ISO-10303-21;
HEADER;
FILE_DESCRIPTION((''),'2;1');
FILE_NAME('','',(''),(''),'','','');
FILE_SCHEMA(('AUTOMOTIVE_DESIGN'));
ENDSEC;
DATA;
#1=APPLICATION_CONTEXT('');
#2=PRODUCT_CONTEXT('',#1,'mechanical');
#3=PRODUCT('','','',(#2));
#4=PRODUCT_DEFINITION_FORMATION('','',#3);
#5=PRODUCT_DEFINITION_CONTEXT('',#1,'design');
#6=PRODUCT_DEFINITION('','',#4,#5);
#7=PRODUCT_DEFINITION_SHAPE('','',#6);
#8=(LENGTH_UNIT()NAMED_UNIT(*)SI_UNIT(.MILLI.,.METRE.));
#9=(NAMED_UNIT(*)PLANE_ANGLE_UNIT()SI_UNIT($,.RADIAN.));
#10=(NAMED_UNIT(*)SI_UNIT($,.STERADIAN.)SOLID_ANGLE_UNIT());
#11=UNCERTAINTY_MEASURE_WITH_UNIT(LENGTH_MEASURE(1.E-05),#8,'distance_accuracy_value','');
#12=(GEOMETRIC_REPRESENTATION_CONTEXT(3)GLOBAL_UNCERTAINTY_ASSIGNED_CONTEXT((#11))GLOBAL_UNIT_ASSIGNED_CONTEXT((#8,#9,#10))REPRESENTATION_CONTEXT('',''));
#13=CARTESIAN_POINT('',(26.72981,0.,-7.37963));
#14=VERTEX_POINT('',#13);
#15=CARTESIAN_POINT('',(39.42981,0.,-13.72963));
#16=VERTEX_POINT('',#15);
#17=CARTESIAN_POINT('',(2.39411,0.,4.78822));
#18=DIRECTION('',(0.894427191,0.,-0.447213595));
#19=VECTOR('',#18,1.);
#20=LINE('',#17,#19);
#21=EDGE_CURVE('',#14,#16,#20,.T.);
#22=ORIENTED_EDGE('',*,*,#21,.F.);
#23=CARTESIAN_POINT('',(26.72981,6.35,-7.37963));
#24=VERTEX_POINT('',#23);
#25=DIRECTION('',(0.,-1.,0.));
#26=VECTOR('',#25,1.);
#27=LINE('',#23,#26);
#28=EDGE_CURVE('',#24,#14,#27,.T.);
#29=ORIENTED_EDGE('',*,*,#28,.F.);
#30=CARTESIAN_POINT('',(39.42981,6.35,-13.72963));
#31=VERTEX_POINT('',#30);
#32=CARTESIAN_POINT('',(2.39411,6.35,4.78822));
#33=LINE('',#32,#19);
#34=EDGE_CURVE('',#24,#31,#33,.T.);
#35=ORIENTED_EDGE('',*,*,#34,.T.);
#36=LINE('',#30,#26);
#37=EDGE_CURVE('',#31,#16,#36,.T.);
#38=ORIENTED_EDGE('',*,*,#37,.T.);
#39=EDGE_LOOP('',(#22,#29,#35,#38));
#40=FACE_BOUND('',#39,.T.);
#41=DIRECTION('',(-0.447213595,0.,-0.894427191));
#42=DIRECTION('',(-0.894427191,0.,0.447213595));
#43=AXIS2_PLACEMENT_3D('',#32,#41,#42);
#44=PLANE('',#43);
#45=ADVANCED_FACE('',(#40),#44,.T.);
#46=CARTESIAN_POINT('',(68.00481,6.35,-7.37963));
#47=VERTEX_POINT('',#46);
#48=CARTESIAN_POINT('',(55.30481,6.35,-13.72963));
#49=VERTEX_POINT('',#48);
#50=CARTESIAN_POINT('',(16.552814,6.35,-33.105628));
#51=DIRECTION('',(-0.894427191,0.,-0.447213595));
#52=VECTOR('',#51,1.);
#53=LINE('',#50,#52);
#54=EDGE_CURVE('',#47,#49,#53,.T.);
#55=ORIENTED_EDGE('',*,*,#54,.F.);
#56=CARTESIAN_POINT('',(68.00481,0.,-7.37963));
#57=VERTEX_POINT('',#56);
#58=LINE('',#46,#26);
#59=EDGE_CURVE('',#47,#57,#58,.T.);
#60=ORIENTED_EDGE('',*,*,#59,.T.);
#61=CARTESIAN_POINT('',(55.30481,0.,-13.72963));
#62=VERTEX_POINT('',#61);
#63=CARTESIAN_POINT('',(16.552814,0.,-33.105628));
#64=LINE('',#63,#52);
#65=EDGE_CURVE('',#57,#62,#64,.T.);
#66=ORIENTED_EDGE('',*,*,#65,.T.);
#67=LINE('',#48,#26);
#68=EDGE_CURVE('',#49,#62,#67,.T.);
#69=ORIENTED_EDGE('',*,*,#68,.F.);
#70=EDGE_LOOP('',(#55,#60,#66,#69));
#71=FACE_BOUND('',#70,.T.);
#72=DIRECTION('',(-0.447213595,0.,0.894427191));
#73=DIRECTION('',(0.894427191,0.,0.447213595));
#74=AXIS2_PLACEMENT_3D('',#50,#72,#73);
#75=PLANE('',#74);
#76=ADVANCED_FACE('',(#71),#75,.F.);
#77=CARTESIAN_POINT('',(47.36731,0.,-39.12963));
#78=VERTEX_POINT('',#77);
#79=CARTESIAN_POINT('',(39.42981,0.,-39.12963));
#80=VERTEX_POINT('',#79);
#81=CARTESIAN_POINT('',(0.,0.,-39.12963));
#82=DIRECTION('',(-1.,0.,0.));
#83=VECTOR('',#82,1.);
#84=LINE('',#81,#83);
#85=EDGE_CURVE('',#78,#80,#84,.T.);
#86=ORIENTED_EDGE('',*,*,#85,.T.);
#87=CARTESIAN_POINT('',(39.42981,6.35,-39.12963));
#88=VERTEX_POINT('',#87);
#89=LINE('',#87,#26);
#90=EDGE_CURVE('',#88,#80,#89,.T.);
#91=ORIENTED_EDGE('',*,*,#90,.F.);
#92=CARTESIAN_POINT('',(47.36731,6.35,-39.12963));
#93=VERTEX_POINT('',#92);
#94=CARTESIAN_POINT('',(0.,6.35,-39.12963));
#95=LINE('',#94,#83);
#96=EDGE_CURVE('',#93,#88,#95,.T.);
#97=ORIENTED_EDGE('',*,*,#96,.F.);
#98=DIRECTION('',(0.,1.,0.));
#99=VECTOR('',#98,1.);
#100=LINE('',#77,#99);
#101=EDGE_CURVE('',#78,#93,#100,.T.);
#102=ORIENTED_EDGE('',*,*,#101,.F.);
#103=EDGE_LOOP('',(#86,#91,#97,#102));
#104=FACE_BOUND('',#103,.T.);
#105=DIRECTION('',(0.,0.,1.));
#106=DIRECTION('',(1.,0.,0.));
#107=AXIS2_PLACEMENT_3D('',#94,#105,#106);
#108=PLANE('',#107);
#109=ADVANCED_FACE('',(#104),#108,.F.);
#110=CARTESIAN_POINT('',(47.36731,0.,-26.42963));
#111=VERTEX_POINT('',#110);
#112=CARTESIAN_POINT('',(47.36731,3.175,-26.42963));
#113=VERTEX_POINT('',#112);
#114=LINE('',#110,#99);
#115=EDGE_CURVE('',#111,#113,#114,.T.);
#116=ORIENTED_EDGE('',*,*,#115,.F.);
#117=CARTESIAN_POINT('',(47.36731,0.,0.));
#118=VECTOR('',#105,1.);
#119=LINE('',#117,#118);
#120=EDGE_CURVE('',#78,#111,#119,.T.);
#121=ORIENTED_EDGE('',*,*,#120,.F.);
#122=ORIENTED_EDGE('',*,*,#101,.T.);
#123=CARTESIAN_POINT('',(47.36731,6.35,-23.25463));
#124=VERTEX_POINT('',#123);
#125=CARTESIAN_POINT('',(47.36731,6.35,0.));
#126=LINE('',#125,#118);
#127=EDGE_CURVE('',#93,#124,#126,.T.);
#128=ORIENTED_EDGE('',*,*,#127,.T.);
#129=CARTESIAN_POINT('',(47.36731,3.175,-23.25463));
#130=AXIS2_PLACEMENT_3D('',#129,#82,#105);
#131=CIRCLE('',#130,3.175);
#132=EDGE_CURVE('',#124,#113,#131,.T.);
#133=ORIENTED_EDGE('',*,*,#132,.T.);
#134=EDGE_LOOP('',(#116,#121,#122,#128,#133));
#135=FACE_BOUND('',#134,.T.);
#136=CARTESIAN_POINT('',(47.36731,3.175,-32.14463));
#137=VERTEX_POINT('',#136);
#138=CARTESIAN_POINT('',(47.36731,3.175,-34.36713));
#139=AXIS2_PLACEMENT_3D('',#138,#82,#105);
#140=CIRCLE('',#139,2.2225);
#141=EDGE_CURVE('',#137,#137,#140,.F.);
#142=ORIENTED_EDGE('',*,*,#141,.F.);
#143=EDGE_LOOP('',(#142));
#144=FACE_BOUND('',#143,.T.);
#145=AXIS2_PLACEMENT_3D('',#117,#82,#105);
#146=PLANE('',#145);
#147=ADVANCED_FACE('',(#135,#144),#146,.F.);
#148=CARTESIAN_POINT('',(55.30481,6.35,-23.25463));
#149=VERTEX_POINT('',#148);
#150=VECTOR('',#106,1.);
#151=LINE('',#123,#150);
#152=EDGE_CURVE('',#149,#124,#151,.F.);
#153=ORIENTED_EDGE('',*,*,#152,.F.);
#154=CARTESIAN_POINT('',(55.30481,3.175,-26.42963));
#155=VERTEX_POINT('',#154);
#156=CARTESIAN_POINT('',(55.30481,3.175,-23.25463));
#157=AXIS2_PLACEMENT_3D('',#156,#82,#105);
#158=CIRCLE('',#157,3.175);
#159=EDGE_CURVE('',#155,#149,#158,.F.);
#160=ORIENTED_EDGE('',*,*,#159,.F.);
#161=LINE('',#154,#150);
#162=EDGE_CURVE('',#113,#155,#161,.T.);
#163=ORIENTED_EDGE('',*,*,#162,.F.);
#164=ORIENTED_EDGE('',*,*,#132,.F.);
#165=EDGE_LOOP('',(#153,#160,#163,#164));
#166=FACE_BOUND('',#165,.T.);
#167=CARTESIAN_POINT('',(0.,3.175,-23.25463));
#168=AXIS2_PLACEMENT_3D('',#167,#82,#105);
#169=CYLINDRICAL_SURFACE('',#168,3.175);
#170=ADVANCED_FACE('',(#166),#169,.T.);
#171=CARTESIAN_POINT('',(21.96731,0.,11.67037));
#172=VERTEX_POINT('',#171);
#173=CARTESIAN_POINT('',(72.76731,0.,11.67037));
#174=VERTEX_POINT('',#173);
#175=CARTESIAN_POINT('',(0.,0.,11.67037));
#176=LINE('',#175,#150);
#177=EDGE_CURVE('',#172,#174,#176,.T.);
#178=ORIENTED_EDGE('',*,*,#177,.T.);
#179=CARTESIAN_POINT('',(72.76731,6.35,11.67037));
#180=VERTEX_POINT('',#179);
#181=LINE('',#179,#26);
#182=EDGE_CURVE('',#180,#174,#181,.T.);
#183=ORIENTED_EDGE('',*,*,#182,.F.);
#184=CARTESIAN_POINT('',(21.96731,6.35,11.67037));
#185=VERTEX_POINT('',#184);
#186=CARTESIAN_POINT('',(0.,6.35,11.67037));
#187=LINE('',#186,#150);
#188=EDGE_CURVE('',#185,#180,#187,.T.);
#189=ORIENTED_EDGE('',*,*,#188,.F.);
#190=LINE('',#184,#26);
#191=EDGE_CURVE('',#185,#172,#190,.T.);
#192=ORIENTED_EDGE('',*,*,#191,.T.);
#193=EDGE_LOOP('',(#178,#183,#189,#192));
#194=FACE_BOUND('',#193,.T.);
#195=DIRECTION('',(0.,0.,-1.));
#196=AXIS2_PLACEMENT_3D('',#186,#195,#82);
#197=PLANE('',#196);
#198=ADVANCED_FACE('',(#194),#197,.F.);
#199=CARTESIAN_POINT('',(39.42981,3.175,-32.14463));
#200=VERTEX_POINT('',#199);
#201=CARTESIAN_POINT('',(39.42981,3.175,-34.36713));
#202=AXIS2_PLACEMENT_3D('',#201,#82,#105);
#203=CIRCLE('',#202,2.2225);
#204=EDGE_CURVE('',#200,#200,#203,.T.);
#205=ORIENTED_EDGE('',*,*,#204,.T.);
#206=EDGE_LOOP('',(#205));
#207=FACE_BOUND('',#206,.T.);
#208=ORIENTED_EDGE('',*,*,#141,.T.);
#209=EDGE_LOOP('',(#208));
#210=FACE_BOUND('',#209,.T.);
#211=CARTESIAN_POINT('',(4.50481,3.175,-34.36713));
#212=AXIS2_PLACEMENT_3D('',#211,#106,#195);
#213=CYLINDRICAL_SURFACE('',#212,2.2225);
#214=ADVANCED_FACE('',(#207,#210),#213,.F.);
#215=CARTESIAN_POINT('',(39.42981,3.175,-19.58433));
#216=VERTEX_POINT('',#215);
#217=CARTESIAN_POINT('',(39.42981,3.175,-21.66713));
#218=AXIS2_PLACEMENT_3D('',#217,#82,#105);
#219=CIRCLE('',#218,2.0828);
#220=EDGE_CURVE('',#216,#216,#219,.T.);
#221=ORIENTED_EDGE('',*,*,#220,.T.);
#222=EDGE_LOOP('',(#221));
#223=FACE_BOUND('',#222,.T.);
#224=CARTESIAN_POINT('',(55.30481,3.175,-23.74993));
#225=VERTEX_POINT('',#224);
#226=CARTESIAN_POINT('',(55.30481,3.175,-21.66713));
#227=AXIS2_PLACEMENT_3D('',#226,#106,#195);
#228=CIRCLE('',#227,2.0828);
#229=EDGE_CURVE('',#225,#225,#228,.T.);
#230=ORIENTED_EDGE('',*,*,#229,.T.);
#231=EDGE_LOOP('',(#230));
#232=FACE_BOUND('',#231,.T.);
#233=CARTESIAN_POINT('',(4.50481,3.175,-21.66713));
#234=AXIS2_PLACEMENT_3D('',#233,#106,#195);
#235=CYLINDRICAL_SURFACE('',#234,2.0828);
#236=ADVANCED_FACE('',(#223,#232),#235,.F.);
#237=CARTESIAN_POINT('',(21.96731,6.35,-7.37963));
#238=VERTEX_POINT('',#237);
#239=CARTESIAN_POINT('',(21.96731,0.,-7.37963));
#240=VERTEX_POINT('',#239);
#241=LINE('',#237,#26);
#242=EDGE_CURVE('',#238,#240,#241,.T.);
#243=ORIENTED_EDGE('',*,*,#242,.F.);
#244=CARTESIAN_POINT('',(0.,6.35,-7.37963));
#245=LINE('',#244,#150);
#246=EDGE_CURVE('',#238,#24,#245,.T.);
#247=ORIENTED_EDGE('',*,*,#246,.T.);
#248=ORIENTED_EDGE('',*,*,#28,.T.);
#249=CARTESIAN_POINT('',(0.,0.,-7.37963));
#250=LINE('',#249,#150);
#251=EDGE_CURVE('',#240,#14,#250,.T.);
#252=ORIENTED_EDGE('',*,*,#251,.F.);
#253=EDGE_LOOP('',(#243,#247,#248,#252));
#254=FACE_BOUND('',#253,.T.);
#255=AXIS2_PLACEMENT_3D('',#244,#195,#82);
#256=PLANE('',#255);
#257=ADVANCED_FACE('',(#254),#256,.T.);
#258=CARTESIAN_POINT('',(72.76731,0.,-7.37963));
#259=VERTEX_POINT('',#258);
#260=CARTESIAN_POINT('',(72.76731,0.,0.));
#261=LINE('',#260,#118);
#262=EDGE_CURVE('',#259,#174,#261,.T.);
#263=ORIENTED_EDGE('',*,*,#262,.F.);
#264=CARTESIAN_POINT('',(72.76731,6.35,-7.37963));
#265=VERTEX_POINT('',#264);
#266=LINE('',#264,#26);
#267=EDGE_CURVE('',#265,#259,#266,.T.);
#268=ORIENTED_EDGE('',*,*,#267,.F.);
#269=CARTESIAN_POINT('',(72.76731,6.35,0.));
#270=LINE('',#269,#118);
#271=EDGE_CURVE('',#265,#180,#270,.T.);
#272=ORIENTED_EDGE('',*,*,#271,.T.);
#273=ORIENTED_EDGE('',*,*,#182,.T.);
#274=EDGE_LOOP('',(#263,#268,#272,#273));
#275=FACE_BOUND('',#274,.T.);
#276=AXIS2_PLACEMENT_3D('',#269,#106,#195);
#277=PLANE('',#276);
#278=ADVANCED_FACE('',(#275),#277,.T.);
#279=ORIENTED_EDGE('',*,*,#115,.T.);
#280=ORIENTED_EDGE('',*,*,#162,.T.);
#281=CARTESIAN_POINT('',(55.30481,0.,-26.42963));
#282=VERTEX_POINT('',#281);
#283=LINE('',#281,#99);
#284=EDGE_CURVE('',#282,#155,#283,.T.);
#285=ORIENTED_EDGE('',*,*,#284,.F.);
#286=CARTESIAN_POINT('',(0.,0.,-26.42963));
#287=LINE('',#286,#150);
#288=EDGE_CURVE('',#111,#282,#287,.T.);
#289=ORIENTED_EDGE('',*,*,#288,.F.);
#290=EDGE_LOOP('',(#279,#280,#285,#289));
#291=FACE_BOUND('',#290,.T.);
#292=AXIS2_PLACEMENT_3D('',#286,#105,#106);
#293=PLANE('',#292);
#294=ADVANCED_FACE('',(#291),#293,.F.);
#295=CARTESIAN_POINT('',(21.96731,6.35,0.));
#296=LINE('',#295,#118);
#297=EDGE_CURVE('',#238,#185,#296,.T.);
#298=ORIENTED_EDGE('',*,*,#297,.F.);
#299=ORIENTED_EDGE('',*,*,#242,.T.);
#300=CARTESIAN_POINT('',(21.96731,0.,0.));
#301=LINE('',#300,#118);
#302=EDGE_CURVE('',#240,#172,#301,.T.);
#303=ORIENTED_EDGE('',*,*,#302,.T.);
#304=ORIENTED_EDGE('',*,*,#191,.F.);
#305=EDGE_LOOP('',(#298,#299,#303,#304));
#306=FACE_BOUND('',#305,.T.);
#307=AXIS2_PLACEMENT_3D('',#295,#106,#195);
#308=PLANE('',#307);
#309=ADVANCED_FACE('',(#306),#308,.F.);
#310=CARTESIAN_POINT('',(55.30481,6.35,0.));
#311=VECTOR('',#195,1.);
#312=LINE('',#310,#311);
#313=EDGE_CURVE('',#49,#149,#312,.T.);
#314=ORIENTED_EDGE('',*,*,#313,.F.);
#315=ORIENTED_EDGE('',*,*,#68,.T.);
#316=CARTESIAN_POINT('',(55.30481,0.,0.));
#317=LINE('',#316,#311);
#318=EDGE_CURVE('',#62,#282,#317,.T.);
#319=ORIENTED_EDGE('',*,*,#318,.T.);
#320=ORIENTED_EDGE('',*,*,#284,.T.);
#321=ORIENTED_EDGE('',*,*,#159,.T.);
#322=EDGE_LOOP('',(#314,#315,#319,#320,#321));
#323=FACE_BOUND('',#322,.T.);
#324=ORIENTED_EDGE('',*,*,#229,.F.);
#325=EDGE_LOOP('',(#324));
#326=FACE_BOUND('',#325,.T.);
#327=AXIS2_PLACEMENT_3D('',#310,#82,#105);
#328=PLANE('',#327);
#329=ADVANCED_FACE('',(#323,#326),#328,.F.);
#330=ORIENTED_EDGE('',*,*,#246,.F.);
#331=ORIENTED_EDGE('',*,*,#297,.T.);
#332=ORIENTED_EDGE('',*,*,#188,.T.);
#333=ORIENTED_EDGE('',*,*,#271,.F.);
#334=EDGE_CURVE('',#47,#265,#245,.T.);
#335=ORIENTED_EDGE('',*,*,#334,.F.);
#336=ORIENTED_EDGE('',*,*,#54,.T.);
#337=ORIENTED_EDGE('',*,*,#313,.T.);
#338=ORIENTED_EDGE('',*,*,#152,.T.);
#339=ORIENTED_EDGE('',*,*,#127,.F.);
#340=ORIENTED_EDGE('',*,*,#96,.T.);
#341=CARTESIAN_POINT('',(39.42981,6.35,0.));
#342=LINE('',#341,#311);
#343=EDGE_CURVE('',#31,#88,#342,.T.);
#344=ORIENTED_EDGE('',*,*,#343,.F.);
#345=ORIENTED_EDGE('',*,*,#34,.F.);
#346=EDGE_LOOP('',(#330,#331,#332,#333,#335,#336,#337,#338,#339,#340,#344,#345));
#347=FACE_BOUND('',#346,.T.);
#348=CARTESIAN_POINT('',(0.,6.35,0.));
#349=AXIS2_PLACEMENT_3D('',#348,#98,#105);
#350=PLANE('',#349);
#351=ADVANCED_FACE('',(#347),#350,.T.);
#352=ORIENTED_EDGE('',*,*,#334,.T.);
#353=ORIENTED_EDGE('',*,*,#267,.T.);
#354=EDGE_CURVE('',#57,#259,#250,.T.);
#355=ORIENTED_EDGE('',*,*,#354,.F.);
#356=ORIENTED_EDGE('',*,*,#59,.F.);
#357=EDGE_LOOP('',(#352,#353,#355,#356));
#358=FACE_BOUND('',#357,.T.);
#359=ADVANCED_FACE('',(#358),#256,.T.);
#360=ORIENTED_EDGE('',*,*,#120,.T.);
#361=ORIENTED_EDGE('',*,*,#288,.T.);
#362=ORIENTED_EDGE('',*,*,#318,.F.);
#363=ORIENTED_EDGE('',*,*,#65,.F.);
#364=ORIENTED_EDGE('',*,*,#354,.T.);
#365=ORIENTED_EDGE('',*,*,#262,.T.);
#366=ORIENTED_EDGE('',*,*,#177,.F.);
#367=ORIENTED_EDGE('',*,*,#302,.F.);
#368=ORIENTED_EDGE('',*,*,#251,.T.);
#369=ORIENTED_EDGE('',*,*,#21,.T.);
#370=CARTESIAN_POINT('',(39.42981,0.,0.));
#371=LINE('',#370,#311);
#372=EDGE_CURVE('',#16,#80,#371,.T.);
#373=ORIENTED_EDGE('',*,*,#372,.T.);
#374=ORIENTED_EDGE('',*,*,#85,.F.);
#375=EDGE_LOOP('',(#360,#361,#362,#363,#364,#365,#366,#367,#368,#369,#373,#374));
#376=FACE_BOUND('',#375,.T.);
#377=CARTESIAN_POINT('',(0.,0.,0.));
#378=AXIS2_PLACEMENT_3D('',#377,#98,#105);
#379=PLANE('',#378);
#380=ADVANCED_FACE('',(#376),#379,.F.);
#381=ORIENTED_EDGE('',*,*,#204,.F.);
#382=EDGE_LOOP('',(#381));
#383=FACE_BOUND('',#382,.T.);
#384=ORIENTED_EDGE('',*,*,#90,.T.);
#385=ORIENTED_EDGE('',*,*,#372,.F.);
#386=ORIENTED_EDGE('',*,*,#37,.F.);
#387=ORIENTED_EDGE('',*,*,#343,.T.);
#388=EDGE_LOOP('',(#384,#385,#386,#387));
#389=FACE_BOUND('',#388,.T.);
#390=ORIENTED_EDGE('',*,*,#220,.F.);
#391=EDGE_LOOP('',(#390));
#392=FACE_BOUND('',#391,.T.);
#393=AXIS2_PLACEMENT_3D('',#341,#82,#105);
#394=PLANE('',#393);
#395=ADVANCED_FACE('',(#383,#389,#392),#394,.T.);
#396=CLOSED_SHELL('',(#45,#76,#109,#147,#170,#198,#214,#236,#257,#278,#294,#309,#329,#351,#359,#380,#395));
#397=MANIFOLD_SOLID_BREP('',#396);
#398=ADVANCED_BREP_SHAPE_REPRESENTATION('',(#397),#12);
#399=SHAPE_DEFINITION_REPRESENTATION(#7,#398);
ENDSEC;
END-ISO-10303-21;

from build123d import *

# Parameters (mm, degrees)
BOSS_EXTRUDE1_DEPTH = 6.35
SKETCH4_R           = 2.0828
SKETCH4_R_2         = 2.2225
CUT_EXTRUDE1_DEPTH  = 50.8
SKETCH5_W           = 7.9375
SKETCH5_H           = 12.7
CUT_EXTRUDE2_DEPTH  = 6.35
FILLET1_R           = 3.175


with BuildPart() as part:
    # Sketch3 → Boss-Extrude1 (new body)
    with BuildSketch(Plane(origin=(0, 0, 0), x_dir=(1, 0, 0), z_dir=(0, 1, 0))):
        Polygon((55.304809527, 7.379629834), (47.367309527, 7.379629834), (47.367309527, -11.670370166), (72.767309527, -11.670370166), (72.767309527, 7.379629834), (68.004809527, 7.379629834), align=None)
        Polygon((26.729809527, 7.379629834), (39.429809527, 7.379629834), (39.429809527, 13.729629834), align=None)
        Polygon((55.304809527, 13.729629834), (55.304809527, 7.379629834), (68.004809527, 7.379629834), align=None)
        Polygon((47.367309527, -11.670370166), (47.367309527, 7.379629834), (39.429809527, 7.379629834), (26.729809527, 7.379629834), (21.967309527, 7.379629834), (21.967309527, -11.670370166), align=None)
        Polygon((55.304809527, 39.129629834), (47.367309527, 39.129629834), (47.367309527, 7.379629834), (55.304809527, 7.379629834), (55.304809527, 13.729629834), align=None)
        Polygon((47.367309527, 7.379629834), (47.367309527, 39.129629834), (39.429809527, 39.129629834), (39.429809527, 13.729629834), (39.429809527, 7.379629834), align=None)
    extrude(amount=BOSS_EXTRUDE1_DEPTH)

    # Sketch4 → Cut-Extrude1 (cut)
    with BuildSketch(Plane(origin=(55.304809527, 0, 0), x_dir=(0, 0, -1), z_dir=(1, 0, 0))):
        with Locations((21.667129834, 3.175)):
            Circle(SKETCH4_R)
        with Locations((34.367129834, 3.175)):
            Circle(SKETCH4_R_2)
    extrude(amount=-CUT_EXTRUDE1_DEPTH, mode=Mode.SUBTRACT)

    # Sketch5 → Cut-Extrude2 (cut)
    with BuildSketch(Plane(origin=(0, 6.35, 0), x_dir=(1, 0, 0), z_dir=(0, 1, 0))):
        with Locations((51.336059527, 32.779629834)):
            Rectangle(SKETCH5_W, SKETCH5_H)
    extrude(amount=-CUT_EXTRUDE2_DEPTH, mode=Mode.SUBTRACT)

    # Fillet1
    fillet1_edges = [part.edges().sort_by_distance(p)[0] for p in [
        (51.336059527, 6.35, -26.429629834),
    ]]
    fillet(fillet1_edges, radius=FILLET1_R)


solid = part.part
